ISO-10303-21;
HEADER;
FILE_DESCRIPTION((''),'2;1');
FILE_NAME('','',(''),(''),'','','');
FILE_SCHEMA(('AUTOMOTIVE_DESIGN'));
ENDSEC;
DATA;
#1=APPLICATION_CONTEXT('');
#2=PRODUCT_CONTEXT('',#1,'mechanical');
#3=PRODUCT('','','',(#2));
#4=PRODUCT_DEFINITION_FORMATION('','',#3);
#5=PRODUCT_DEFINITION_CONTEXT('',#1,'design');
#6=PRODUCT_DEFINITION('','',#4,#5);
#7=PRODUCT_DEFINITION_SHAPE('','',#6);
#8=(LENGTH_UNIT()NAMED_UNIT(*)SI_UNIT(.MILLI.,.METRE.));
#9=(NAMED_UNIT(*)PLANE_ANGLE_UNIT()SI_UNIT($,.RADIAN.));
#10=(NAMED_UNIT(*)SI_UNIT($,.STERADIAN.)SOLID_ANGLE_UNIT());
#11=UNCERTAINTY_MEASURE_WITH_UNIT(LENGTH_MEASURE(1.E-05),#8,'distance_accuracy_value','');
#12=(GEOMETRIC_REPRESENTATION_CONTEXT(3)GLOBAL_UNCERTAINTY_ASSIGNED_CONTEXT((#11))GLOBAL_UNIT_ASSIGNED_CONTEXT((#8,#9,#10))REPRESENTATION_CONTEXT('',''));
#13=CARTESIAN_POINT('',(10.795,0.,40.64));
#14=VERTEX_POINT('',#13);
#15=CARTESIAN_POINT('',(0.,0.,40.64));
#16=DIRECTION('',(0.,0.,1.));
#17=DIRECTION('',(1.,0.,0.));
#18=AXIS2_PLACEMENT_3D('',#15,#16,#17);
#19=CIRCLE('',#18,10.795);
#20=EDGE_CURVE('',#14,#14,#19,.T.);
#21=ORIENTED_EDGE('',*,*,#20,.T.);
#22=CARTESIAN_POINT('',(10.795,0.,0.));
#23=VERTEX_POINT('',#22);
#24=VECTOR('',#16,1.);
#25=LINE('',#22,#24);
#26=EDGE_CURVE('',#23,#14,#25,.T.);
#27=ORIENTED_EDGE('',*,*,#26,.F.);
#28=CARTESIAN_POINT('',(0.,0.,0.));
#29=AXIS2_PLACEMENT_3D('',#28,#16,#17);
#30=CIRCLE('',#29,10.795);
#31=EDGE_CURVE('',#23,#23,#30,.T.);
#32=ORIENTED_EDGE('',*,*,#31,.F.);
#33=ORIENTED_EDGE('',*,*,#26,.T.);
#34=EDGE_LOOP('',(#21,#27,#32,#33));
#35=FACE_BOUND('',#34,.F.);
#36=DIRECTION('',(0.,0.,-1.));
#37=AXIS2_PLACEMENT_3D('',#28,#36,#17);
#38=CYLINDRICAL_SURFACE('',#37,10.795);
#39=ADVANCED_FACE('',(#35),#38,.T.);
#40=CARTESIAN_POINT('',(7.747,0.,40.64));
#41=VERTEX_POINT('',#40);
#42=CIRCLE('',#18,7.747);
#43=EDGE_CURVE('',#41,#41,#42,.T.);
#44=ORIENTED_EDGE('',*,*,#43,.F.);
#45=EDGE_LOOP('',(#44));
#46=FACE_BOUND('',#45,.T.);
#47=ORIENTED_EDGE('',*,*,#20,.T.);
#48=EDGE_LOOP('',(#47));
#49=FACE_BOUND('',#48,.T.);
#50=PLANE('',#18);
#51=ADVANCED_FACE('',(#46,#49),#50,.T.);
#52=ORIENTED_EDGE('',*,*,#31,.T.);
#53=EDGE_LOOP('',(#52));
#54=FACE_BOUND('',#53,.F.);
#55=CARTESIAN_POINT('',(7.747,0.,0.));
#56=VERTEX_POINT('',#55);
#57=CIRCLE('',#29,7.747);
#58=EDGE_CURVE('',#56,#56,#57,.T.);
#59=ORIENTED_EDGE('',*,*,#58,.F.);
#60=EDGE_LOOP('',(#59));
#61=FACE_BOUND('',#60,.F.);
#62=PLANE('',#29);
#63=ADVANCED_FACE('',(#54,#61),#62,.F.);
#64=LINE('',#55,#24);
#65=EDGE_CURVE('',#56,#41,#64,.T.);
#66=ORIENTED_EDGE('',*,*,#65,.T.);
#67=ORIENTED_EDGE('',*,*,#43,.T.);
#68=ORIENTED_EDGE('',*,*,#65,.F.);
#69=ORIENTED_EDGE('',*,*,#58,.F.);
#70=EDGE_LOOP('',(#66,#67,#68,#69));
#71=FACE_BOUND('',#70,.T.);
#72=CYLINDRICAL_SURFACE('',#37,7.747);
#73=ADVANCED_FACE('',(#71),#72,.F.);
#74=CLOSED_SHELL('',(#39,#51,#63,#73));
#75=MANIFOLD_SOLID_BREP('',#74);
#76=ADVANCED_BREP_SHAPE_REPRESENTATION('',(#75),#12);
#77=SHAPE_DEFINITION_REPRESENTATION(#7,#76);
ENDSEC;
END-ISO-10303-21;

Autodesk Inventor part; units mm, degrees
ref_plane "YZ Plane" through (0, 0, 0) normal (1, 0, 0) x (0, 1, 0)
ref_plane "XZ Plane" through (0, 0, 0) normal (0, 1, 0) x (-1, 0, 0)
ref_plane "XY Plane" through (0, 0, 0) normal (0, 0, 1) x (1, 0, 0)
sketch "Sketch1" plane through (0, 0, 0) normal (0, 0, 1) x (1, 0, 0)
  circle A0 centre (0, 0) radius 7.747
  circle A1 centre (0, 0) radius 10.795
  dimension "d0" = 21.59
  dimension "d2" = 15.494
extrude "Extrusion1" add sketch "Sketch1" along normal blind 40.64
properties part number "Flush Connect Pipe" material "PVC-Piping"
